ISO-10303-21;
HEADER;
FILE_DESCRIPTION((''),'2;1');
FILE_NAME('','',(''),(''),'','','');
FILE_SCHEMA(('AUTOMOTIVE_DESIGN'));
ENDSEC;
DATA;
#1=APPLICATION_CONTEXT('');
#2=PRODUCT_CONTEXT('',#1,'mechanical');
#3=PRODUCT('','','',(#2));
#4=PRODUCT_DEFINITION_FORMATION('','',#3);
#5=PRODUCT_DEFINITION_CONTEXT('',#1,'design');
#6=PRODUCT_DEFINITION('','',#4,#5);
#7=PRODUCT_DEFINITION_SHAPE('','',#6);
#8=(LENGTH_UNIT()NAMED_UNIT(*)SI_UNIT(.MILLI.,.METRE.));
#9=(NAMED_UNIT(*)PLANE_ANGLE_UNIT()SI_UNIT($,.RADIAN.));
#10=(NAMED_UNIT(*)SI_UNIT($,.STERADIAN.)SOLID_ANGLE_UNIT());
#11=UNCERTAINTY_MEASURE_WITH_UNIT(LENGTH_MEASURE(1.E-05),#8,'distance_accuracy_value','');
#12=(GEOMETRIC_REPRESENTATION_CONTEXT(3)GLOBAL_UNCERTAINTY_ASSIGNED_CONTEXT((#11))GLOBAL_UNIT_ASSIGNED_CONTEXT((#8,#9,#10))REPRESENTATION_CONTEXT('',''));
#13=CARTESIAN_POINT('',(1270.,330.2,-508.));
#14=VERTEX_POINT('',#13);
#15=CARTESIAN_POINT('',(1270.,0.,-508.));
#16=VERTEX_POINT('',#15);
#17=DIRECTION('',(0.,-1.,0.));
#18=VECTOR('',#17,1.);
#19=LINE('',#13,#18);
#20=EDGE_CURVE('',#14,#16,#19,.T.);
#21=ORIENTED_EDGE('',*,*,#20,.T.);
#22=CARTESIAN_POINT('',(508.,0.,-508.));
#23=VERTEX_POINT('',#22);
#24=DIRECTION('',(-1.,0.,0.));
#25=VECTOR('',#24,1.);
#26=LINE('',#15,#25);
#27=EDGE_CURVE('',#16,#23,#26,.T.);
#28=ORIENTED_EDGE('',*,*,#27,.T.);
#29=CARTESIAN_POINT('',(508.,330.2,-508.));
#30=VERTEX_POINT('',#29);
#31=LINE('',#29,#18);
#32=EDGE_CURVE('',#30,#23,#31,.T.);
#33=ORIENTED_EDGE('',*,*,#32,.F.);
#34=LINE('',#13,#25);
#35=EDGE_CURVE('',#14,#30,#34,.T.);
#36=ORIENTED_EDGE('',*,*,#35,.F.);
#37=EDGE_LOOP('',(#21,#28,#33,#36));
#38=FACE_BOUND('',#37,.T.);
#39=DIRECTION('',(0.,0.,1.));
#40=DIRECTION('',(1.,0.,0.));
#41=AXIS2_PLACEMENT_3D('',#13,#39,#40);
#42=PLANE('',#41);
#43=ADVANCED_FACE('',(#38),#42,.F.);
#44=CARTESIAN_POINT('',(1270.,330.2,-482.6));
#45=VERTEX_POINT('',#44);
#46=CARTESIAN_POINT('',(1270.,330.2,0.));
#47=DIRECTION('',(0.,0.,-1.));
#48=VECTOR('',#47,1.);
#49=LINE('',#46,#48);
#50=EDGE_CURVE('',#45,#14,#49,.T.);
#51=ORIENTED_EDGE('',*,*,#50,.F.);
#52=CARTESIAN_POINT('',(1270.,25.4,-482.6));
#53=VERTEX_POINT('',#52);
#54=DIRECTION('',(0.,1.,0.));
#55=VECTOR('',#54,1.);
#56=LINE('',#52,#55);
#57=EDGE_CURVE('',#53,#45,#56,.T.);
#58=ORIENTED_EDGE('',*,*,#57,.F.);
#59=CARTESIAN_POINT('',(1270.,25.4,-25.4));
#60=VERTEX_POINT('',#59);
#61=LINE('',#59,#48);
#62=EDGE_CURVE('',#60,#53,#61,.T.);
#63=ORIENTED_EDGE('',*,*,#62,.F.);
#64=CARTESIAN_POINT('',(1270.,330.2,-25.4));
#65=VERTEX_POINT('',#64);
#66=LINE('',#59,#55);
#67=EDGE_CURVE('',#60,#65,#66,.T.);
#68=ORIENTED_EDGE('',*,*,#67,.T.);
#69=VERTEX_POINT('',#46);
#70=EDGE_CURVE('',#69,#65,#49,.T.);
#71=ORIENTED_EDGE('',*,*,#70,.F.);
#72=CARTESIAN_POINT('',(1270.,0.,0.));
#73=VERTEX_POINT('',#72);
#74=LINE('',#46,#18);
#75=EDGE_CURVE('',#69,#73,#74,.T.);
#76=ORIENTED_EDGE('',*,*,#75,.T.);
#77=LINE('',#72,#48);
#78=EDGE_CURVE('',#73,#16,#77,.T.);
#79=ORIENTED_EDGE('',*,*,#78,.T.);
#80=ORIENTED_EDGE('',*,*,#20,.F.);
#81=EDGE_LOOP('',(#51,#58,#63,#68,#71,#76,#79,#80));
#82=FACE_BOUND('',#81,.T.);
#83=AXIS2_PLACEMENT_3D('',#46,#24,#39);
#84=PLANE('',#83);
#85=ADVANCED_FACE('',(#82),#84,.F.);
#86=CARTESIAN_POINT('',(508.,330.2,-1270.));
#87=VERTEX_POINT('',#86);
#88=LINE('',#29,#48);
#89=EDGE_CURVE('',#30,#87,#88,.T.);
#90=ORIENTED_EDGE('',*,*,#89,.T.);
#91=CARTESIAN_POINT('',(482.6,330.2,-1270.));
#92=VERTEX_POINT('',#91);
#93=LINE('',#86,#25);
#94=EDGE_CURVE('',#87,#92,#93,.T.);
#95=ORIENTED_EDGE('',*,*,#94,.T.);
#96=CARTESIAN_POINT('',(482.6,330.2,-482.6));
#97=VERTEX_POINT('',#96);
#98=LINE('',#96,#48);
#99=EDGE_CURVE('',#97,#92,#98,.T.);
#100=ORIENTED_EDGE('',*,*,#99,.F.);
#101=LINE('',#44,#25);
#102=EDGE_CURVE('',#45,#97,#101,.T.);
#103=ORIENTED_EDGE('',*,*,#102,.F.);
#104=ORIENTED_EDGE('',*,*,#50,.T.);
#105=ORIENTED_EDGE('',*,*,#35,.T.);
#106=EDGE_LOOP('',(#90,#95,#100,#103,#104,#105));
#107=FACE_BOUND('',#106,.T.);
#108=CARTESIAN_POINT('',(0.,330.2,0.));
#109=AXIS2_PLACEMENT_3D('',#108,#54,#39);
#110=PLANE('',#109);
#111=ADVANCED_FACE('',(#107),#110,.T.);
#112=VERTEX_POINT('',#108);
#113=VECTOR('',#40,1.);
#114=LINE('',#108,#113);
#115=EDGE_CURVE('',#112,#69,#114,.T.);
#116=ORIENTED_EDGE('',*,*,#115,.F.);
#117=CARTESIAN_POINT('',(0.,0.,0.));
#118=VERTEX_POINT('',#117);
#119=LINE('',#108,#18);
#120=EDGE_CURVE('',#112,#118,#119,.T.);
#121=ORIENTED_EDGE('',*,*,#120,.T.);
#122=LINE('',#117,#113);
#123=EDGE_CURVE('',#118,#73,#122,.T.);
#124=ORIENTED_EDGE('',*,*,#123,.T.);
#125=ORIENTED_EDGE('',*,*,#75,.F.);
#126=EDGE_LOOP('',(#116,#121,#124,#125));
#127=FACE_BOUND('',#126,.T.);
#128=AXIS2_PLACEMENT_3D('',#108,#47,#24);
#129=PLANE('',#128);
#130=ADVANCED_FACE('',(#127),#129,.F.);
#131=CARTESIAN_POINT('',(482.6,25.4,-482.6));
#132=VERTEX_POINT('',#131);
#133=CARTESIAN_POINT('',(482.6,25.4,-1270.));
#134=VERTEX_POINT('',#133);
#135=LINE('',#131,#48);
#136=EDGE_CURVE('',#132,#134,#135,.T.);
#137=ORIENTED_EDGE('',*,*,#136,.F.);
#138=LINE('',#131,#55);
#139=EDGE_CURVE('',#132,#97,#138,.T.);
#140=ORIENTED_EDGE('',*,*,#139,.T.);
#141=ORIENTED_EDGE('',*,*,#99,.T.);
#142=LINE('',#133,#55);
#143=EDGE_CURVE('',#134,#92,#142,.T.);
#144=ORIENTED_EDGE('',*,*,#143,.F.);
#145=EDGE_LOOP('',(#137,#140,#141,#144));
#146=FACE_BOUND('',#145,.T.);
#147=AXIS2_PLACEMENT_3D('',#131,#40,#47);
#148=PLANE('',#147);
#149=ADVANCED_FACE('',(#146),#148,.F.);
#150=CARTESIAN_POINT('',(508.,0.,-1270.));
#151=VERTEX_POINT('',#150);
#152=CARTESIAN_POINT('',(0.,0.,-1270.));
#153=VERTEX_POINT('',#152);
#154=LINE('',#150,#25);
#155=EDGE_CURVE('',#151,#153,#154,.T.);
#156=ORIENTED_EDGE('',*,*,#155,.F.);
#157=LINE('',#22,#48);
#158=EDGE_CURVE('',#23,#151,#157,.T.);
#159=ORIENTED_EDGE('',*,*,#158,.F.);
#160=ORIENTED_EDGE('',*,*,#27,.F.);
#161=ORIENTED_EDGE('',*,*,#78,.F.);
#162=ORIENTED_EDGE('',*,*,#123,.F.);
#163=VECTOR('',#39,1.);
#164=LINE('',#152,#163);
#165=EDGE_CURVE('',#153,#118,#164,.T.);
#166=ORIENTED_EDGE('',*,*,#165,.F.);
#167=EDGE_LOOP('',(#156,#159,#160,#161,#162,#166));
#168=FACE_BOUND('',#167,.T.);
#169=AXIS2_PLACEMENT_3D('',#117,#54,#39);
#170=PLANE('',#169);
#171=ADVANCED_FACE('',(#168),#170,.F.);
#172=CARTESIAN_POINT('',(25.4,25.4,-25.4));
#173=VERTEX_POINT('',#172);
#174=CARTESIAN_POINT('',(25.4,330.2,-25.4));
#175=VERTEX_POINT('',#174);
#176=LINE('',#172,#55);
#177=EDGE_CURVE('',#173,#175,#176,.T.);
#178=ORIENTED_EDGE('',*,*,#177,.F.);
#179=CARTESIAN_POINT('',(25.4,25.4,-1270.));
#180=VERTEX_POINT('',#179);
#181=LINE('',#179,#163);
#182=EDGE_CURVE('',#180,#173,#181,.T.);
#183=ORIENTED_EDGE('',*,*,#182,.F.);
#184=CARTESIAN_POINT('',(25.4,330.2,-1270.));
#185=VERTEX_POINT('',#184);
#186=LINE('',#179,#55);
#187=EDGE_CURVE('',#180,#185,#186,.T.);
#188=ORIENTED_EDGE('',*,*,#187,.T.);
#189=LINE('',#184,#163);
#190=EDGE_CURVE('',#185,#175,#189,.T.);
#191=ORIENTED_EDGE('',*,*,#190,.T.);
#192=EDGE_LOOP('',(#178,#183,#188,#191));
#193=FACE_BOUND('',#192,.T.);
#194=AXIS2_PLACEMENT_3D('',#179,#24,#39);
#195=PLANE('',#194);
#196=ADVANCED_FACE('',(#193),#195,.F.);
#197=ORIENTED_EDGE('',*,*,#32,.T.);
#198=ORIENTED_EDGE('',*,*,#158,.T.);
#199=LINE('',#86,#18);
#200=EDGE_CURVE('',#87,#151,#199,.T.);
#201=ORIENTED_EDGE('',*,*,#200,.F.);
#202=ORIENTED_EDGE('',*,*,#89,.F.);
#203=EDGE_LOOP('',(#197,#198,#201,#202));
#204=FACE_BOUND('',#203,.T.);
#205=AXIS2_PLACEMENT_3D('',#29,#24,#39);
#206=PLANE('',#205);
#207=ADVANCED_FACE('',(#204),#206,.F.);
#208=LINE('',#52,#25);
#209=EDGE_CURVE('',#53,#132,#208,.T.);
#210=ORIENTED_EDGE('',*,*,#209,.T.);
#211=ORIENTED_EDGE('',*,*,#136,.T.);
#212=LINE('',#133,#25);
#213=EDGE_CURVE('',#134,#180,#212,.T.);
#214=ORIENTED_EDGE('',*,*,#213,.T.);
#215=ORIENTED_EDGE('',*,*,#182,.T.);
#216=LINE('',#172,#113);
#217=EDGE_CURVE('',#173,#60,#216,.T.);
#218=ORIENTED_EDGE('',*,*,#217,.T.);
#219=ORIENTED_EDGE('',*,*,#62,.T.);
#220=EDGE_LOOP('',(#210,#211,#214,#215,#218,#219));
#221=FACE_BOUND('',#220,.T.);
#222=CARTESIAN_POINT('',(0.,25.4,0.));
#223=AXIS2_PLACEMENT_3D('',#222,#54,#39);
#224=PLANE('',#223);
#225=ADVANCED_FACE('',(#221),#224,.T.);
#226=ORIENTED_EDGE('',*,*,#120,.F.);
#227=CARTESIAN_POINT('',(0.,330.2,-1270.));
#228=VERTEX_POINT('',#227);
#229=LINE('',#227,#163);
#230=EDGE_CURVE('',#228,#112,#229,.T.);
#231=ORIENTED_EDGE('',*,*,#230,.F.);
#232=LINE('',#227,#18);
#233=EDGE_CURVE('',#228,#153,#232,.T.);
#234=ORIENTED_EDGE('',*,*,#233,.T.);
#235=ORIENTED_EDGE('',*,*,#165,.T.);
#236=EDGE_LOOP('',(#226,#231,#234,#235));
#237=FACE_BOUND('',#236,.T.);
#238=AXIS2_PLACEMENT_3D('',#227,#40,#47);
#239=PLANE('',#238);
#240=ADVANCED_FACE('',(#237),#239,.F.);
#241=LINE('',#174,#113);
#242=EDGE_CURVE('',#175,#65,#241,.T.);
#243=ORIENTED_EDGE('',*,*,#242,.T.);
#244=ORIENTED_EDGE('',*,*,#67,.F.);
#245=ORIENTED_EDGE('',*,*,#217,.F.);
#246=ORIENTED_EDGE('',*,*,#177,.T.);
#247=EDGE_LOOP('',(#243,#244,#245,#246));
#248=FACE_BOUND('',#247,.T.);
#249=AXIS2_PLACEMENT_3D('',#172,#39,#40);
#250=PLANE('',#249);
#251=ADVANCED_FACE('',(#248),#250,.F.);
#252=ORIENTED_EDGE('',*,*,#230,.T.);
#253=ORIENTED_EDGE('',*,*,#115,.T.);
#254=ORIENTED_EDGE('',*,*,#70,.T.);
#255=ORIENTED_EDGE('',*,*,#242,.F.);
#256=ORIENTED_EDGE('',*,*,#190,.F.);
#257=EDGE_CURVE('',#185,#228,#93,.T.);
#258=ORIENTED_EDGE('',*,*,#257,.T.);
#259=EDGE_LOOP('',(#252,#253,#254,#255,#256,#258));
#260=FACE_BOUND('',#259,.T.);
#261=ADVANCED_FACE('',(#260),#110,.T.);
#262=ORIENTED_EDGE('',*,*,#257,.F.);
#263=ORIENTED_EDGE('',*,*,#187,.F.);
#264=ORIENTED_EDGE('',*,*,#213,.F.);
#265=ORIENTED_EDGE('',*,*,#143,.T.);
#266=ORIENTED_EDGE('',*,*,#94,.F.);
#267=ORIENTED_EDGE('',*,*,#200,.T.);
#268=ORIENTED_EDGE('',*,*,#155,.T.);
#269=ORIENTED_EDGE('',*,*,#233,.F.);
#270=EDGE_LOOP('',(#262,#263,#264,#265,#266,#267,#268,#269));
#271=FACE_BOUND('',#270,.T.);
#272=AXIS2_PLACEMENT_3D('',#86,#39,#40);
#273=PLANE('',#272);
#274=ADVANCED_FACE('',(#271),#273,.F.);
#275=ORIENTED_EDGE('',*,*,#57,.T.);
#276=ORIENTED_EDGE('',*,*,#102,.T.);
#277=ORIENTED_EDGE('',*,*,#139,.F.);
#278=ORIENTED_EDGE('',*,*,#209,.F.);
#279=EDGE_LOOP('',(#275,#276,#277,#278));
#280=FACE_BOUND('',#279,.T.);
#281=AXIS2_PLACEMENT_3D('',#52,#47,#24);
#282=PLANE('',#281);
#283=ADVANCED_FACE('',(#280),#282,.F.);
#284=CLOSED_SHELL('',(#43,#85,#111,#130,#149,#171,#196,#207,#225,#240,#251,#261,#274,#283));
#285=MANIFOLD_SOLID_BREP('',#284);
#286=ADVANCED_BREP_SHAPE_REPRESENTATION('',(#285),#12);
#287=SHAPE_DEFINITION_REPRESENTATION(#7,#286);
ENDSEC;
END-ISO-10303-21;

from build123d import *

# Parameters (mm, degrees)
BOSS_EXTRUDE1_DEPTH = 330.2
CUT_EXTRUDE2_DEPTH  = 304.8


with BuildPart() as part:
    # Sketch1 → Boss-Extrude1 (new body)
    with BuildSketch(Plane(origin=(0, 0, 0), x_dir=(1, 0, 0), z_dir=(0, 1, 0))):
        Polygon((0, 0), (1270, 0), (1270, 508), (508, 508), (508, 1270), (0, 1270), align=None)
    extrude(amount=BOSS_EXTRUDE1_DEPTH)

    # Sketch2 → Cut-Extrude2 (cut)
    with BuildSketch(Plane(origin=(0, 330.2, 0), x_dir=(1, 0, 0), z_dir=(0, 1, 0))):
        Polygon((25.4, 1270), (25.4, 25.4), (1270, 25.4), (1270, 482.6), (482.6, 482.6), (482.6, 1270), align=None)
    extrude(amount=-CUT_EXTRUDE2_DEPTH, mode=Mode.SUBTRACT)


solid = part.part
